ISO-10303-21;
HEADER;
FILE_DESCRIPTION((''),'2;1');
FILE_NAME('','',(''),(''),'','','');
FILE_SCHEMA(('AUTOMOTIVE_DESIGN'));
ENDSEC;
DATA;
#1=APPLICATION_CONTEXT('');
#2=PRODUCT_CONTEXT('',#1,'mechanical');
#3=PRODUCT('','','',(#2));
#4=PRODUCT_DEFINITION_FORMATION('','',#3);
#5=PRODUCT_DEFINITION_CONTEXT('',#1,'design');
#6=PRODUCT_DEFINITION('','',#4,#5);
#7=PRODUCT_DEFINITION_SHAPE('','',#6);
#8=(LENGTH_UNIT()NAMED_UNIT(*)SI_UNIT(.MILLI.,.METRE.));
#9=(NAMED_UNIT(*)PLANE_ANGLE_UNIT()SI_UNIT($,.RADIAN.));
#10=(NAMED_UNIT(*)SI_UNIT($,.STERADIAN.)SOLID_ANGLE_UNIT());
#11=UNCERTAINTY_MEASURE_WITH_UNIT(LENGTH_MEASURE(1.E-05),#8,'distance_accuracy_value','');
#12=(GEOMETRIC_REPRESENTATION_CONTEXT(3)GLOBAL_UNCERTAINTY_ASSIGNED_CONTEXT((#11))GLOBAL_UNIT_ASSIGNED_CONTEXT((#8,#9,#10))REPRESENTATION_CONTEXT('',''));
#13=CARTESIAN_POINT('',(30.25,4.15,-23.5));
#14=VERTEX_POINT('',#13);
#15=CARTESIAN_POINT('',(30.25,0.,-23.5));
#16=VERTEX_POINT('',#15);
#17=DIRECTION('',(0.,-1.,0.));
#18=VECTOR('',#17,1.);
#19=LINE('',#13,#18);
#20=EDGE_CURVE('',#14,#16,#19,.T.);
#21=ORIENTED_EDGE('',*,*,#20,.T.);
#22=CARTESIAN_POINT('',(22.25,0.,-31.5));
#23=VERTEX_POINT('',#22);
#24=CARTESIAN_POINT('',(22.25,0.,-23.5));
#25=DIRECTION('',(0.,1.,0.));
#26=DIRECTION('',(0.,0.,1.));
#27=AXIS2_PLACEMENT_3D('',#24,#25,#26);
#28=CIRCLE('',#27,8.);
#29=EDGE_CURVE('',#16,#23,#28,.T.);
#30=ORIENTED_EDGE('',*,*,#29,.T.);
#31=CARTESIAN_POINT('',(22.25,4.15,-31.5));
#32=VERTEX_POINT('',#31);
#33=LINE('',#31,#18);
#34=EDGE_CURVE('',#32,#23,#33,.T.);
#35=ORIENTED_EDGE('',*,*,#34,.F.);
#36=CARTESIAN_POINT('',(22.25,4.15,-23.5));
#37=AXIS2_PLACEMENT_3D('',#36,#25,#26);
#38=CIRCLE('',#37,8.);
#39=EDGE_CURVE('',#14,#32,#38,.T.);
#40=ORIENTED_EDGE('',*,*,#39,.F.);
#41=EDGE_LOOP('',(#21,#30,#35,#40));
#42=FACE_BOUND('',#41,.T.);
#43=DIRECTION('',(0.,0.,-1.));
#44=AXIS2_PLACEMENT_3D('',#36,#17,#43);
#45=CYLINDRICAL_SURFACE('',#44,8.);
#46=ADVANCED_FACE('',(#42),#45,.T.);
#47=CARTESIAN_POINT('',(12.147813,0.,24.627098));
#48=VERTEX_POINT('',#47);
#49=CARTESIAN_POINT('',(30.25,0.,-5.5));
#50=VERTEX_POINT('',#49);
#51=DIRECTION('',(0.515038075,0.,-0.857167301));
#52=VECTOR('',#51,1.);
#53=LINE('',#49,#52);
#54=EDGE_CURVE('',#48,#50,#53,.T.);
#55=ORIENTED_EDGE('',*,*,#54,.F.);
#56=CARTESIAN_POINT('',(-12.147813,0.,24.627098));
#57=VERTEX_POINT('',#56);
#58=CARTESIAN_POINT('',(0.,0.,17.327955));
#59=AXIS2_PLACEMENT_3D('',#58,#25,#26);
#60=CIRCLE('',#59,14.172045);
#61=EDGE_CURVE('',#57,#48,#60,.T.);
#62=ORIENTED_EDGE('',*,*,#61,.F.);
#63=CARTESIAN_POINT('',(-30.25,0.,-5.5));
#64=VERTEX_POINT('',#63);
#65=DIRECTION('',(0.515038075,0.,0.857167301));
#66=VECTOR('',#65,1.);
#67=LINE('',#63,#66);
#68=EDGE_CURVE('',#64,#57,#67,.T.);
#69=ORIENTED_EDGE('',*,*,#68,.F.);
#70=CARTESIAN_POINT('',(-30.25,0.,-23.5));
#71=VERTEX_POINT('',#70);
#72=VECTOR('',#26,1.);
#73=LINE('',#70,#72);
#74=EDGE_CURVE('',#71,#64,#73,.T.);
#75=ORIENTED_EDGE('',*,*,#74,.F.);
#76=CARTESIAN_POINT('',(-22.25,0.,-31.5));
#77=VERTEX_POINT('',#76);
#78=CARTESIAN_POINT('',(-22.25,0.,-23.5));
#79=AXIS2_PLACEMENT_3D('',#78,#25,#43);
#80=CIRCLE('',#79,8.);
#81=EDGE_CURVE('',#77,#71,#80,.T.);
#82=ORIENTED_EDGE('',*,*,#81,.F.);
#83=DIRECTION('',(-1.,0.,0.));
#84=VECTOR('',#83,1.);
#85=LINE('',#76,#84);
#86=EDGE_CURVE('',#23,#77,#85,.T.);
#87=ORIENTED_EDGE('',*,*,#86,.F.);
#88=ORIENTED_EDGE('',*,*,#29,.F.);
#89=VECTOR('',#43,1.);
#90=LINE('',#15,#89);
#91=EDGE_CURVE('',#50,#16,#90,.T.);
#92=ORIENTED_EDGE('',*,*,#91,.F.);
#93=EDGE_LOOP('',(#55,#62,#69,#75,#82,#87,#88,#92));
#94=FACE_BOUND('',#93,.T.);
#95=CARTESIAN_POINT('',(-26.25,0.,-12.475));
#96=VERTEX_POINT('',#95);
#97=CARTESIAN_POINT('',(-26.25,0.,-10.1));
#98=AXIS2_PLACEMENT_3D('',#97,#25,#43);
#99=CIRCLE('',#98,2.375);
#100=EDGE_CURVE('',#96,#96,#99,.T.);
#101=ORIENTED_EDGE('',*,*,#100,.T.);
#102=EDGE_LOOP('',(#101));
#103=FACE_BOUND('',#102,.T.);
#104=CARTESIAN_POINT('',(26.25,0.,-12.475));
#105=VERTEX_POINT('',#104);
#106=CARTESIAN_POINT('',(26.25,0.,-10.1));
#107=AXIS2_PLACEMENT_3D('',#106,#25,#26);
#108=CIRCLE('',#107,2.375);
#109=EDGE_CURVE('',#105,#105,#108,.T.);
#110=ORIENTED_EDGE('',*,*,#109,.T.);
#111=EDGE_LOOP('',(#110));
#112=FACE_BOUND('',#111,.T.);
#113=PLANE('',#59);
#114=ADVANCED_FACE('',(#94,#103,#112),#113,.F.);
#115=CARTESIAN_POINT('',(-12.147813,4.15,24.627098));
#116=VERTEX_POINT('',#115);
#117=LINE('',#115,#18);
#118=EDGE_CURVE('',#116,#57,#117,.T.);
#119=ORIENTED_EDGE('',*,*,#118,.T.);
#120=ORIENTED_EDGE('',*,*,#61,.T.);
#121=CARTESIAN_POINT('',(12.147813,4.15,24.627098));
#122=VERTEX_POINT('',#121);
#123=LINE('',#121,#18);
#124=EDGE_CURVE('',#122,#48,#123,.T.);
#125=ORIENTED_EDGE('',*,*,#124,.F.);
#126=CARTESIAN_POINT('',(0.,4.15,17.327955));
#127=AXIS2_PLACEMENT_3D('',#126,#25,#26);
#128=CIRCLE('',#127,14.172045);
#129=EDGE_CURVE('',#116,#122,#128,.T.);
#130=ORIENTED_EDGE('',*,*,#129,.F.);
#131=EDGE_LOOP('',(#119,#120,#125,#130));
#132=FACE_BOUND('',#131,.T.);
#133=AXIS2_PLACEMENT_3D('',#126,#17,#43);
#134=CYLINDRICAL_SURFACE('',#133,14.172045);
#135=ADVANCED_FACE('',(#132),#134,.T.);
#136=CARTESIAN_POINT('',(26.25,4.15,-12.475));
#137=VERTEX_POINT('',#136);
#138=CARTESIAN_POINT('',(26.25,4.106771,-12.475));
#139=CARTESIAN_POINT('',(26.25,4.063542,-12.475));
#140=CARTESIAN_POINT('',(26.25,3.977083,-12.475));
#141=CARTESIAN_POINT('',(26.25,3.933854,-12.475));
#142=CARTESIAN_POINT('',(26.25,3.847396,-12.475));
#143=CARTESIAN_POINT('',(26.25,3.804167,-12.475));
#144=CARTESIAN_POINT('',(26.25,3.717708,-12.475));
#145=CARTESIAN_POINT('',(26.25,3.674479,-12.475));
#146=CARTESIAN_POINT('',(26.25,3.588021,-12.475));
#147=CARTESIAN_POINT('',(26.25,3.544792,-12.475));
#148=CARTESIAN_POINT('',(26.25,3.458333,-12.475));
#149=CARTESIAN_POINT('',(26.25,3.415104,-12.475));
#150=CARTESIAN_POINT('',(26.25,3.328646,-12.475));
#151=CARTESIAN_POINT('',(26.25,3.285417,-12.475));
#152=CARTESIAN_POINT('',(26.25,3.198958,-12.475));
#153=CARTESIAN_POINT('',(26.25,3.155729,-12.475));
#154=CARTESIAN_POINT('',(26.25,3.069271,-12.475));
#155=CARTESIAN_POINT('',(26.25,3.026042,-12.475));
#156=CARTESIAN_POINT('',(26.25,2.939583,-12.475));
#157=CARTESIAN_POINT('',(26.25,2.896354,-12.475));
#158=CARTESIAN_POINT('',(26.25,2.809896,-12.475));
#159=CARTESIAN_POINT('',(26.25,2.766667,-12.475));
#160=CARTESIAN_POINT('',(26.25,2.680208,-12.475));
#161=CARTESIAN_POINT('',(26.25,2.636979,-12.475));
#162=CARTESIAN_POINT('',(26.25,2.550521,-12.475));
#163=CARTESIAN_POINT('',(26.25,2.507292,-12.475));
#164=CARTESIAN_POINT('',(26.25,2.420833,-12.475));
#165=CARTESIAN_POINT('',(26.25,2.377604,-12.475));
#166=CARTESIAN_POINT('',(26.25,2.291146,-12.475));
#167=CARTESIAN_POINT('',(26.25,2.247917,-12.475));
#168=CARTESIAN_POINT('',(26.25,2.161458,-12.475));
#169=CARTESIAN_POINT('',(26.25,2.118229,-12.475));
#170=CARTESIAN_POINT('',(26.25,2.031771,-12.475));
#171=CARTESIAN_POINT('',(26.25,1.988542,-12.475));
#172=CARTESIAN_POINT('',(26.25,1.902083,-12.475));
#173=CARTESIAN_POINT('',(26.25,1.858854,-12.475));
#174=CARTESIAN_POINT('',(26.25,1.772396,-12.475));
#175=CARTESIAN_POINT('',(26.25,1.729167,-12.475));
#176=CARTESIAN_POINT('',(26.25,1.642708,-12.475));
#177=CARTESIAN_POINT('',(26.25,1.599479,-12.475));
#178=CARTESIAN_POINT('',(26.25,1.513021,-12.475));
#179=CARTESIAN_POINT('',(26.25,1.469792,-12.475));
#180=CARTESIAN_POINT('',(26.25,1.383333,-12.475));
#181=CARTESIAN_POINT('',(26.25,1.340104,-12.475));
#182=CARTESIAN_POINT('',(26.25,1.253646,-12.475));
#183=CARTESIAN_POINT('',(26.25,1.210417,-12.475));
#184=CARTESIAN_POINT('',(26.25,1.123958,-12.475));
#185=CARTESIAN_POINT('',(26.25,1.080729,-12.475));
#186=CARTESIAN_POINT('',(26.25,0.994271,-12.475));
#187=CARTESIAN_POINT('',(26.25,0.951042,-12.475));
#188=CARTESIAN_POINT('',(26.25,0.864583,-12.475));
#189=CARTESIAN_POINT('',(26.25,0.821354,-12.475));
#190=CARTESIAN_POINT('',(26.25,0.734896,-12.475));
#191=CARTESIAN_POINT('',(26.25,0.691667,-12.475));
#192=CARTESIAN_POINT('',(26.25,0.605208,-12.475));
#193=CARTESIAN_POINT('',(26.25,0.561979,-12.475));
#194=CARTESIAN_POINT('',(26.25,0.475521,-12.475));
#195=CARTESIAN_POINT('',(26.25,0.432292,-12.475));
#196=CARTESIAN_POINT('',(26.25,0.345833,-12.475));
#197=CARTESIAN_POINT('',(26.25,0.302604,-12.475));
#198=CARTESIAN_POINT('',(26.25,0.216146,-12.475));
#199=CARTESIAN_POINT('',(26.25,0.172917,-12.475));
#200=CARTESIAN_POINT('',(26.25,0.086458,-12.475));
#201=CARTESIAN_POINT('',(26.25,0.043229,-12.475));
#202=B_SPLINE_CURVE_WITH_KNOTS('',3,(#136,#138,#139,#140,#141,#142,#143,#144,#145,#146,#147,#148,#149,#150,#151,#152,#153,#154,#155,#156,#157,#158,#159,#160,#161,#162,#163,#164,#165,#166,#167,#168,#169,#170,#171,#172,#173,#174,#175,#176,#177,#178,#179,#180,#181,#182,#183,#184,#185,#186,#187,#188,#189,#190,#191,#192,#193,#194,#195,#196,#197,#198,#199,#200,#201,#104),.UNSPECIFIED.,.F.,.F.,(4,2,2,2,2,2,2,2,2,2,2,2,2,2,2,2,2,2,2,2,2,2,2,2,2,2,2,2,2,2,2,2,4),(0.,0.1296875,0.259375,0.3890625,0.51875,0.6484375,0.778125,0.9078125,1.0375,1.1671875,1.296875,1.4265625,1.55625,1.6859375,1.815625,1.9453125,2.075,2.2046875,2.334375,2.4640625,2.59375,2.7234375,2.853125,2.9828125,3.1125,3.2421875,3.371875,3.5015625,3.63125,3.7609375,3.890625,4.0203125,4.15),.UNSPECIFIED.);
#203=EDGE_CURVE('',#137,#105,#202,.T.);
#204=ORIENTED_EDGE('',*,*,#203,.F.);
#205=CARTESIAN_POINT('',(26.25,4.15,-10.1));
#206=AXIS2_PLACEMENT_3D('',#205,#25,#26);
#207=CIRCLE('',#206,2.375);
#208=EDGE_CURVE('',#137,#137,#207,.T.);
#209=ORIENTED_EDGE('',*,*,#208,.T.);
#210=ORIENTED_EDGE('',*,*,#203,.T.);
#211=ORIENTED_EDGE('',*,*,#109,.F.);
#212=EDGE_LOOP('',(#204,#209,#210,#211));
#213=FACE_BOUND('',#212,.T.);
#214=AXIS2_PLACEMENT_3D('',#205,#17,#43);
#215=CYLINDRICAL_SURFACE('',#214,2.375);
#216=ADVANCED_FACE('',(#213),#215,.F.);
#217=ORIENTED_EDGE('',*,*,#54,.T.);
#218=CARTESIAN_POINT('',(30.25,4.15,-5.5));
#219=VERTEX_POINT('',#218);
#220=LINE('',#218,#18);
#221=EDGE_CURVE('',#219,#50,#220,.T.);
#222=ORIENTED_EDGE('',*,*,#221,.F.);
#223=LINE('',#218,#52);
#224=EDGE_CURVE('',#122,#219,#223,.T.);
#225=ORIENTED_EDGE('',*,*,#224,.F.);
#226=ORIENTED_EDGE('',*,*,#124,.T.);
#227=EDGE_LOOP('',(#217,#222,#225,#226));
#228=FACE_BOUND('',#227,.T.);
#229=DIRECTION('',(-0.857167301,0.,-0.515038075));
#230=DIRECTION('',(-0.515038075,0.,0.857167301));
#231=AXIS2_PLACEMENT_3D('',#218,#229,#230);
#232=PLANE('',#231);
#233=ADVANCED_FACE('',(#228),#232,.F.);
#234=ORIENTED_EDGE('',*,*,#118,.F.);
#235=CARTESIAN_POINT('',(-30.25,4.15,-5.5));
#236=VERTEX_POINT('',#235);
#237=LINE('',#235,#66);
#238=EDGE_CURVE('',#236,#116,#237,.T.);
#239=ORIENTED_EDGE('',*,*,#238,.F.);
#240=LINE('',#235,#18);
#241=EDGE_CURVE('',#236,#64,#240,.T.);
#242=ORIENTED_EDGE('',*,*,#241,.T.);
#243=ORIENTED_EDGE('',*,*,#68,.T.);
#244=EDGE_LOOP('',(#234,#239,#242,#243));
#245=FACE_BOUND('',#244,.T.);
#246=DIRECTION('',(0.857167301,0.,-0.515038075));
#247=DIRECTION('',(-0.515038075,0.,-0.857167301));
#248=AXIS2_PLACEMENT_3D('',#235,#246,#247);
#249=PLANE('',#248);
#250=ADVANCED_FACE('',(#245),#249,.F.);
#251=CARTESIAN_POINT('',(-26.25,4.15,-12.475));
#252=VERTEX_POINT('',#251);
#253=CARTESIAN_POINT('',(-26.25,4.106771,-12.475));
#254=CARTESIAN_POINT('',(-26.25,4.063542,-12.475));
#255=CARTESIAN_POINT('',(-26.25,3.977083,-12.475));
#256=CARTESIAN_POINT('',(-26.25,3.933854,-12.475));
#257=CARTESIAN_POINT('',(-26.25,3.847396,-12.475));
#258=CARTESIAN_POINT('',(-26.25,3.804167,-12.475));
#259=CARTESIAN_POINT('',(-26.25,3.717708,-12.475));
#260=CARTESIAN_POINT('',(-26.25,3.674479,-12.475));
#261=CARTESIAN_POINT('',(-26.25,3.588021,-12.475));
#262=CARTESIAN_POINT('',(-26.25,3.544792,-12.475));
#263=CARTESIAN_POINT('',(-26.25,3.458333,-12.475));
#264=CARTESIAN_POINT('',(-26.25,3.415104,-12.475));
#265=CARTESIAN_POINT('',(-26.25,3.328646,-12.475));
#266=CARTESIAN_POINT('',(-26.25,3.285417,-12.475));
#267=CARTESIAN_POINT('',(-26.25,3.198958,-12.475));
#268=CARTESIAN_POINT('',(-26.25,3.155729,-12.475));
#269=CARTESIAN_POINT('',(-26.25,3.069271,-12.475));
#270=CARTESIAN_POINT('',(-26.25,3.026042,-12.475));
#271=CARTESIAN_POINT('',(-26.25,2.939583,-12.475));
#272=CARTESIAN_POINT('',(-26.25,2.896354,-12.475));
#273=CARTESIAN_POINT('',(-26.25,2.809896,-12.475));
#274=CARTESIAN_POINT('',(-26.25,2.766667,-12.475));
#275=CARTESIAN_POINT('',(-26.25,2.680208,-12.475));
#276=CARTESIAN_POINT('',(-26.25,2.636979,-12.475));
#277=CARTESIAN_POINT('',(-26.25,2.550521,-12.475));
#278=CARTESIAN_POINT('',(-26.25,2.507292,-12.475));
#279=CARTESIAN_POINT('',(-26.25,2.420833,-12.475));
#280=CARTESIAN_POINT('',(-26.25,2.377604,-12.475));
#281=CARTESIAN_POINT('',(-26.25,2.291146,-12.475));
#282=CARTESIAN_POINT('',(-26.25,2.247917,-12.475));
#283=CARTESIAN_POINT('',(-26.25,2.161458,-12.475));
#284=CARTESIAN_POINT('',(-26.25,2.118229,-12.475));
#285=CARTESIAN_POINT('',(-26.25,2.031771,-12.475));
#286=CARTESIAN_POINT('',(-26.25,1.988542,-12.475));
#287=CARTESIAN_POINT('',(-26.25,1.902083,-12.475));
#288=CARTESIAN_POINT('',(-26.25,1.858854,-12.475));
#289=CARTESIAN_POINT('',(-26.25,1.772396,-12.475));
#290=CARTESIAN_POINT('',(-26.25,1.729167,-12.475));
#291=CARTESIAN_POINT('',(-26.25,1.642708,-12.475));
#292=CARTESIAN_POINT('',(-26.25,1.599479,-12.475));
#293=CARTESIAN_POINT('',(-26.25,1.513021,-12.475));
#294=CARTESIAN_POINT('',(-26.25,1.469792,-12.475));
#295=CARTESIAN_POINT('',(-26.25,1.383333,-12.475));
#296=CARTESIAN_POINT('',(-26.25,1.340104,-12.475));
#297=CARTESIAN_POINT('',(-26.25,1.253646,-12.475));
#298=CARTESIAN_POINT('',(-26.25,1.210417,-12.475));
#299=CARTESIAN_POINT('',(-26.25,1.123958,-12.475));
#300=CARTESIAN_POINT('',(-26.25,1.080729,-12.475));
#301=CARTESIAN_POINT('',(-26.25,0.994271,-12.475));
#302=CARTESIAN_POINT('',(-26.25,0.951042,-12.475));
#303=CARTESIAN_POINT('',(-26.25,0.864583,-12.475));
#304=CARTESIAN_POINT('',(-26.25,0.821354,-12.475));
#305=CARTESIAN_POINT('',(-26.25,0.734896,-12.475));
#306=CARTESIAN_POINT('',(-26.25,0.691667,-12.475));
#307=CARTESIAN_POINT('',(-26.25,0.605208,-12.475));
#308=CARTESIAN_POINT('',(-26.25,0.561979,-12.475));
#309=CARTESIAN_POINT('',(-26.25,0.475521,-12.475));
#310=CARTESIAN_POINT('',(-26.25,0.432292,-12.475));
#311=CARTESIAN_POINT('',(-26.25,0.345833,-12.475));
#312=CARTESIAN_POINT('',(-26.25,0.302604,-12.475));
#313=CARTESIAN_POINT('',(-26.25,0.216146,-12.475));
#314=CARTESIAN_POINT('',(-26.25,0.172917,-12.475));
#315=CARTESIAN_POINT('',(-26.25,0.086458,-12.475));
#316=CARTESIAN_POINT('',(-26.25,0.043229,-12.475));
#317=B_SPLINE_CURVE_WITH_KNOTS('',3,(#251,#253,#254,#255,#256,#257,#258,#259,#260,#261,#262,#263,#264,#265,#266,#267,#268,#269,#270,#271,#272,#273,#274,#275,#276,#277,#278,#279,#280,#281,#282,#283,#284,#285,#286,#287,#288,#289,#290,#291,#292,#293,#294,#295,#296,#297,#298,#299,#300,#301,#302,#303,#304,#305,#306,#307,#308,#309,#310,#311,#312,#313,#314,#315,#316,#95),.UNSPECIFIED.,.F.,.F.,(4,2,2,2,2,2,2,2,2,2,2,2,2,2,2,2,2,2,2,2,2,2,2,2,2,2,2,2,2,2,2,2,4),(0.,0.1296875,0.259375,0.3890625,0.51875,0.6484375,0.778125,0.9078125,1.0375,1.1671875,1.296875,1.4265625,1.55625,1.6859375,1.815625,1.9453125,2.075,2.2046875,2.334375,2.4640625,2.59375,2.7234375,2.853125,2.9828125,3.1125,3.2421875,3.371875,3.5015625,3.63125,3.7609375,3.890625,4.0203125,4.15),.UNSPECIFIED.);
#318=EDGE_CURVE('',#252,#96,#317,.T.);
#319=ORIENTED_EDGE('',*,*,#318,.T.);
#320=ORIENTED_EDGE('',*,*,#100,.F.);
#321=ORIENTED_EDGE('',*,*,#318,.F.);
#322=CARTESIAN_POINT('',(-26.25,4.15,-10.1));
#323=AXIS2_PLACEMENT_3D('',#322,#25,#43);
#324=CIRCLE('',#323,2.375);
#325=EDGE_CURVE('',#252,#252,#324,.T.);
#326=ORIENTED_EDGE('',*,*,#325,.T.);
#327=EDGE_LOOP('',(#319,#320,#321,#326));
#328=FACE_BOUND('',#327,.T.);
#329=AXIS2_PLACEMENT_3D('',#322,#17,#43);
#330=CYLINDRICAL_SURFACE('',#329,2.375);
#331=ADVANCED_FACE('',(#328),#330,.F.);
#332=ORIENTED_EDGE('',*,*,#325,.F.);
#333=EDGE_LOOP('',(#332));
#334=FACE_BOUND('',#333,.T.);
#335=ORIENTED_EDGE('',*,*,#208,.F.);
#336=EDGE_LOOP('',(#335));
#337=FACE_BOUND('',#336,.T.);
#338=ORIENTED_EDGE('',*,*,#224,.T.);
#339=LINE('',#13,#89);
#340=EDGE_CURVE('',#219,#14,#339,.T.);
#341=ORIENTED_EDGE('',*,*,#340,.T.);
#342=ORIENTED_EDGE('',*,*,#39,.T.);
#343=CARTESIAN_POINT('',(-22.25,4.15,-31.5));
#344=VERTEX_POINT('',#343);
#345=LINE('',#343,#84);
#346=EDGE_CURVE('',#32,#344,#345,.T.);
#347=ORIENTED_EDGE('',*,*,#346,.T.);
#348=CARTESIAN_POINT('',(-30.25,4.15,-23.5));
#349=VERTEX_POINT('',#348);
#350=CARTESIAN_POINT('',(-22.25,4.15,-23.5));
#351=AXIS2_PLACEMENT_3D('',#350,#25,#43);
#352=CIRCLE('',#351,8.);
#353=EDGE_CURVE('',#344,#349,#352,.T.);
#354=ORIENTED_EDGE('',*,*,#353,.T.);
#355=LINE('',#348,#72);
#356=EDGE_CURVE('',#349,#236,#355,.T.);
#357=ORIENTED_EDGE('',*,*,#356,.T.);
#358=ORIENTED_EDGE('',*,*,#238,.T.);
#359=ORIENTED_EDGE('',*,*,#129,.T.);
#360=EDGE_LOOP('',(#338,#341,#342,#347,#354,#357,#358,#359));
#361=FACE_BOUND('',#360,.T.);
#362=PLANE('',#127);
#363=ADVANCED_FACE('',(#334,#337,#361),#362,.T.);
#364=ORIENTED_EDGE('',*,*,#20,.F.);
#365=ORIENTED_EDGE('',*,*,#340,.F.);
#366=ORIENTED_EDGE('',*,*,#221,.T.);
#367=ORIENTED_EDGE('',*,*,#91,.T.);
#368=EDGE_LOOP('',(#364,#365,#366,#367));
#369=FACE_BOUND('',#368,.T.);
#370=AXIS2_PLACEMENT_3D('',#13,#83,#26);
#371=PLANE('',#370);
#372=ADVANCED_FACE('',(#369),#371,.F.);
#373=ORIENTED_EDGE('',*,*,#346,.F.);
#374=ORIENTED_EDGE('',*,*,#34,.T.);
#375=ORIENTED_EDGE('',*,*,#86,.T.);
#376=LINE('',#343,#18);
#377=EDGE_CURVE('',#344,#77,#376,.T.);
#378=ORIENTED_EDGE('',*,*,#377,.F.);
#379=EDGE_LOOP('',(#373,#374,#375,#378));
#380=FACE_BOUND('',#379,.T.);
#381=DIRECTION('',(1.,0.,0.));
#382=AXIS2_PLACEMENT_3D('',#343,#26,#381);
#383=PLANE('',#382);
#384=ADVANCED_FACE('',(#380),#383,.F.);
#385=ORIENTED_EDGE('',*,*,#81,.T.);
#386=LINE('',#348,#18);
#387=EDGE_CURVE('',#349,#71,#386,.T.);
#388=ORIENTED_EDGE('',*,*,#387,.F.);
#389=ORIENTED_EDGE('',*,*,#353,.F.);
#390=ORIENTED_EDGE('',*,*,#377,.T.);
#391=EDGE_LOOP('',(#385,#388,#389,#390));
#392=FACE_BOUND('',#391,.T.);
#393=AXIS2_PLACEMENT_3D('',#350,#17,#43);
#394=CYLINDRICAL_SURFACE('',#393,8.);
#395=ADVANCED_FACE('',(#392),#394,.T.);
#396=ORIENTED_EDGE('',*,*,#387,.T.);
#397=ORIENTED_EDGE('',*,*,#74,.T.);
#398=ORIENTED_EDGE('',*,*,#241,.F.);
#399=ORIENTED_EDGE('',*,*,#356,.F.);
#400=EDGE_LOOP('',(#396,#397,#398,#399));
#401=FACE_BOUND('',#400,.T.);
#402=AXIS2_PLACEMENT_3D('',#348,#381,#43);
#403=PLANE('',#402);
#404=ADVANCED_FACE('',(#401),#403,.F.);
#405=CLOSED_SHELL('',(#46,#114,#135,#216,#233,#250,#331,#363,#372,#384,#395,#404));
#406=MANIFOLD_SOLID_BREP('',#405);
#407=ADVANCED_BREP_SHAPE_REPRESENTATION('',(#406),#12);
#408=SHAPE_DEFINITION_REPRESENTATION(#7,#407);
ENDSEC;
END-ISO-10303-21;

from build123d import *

# Parameters (mm, degrees)
SKETCH1_R           = 2.375
BOSS_EXTRUDE1_DEPTH = 4.15


with BuildPart() as part:
    # Sketch1 → Boss-Extrude1 (new body)
    with BuildSketch(Plane(origin=(0, 0, 0), x_dir=(1, 0, 0), z_dir=(0, 1, 0))):
        with BuildLine():
            Line((-22.25, 31.5), (22.25, 31.5))
            ThreePointArc((22.25, 31.5), (27.906854249, 29.156854249), (30.25, 23.5))
            Line((30.25, 23.5), (30.25, 5.5))
            Line((30.25, 5.5), (12.147813291, -24.627097925))
            ThreePointArc((12.147813291, -24.627097925), (0, -31.5), (-12.147813291, -24.627097925))
            Line((-12.147813291, -24.627097925), (-30.25, 5.5))
            Line((-30.25, 5.5), (-30.25, 23.5))
            ThreePointArc((-30.25, 23.5), (-27.906854249, 29.156854249), (-22.25, 31.5))
        make_face()
        with Locations(Location((26.25, 10.1, 0), (0, 0, 90))):
            Circle(SKETCH1_R, mode=Mode.SUBTRACT)
        with Locations(Location((-26.25, 10.1, 0), (0, 0, 90))):
            Circle(SKETCH1_R, mode=Mode.SUBTRACT)
    extrude(amount=BOSS_EXTRUDE1_DEPTH)


solid = part.part
